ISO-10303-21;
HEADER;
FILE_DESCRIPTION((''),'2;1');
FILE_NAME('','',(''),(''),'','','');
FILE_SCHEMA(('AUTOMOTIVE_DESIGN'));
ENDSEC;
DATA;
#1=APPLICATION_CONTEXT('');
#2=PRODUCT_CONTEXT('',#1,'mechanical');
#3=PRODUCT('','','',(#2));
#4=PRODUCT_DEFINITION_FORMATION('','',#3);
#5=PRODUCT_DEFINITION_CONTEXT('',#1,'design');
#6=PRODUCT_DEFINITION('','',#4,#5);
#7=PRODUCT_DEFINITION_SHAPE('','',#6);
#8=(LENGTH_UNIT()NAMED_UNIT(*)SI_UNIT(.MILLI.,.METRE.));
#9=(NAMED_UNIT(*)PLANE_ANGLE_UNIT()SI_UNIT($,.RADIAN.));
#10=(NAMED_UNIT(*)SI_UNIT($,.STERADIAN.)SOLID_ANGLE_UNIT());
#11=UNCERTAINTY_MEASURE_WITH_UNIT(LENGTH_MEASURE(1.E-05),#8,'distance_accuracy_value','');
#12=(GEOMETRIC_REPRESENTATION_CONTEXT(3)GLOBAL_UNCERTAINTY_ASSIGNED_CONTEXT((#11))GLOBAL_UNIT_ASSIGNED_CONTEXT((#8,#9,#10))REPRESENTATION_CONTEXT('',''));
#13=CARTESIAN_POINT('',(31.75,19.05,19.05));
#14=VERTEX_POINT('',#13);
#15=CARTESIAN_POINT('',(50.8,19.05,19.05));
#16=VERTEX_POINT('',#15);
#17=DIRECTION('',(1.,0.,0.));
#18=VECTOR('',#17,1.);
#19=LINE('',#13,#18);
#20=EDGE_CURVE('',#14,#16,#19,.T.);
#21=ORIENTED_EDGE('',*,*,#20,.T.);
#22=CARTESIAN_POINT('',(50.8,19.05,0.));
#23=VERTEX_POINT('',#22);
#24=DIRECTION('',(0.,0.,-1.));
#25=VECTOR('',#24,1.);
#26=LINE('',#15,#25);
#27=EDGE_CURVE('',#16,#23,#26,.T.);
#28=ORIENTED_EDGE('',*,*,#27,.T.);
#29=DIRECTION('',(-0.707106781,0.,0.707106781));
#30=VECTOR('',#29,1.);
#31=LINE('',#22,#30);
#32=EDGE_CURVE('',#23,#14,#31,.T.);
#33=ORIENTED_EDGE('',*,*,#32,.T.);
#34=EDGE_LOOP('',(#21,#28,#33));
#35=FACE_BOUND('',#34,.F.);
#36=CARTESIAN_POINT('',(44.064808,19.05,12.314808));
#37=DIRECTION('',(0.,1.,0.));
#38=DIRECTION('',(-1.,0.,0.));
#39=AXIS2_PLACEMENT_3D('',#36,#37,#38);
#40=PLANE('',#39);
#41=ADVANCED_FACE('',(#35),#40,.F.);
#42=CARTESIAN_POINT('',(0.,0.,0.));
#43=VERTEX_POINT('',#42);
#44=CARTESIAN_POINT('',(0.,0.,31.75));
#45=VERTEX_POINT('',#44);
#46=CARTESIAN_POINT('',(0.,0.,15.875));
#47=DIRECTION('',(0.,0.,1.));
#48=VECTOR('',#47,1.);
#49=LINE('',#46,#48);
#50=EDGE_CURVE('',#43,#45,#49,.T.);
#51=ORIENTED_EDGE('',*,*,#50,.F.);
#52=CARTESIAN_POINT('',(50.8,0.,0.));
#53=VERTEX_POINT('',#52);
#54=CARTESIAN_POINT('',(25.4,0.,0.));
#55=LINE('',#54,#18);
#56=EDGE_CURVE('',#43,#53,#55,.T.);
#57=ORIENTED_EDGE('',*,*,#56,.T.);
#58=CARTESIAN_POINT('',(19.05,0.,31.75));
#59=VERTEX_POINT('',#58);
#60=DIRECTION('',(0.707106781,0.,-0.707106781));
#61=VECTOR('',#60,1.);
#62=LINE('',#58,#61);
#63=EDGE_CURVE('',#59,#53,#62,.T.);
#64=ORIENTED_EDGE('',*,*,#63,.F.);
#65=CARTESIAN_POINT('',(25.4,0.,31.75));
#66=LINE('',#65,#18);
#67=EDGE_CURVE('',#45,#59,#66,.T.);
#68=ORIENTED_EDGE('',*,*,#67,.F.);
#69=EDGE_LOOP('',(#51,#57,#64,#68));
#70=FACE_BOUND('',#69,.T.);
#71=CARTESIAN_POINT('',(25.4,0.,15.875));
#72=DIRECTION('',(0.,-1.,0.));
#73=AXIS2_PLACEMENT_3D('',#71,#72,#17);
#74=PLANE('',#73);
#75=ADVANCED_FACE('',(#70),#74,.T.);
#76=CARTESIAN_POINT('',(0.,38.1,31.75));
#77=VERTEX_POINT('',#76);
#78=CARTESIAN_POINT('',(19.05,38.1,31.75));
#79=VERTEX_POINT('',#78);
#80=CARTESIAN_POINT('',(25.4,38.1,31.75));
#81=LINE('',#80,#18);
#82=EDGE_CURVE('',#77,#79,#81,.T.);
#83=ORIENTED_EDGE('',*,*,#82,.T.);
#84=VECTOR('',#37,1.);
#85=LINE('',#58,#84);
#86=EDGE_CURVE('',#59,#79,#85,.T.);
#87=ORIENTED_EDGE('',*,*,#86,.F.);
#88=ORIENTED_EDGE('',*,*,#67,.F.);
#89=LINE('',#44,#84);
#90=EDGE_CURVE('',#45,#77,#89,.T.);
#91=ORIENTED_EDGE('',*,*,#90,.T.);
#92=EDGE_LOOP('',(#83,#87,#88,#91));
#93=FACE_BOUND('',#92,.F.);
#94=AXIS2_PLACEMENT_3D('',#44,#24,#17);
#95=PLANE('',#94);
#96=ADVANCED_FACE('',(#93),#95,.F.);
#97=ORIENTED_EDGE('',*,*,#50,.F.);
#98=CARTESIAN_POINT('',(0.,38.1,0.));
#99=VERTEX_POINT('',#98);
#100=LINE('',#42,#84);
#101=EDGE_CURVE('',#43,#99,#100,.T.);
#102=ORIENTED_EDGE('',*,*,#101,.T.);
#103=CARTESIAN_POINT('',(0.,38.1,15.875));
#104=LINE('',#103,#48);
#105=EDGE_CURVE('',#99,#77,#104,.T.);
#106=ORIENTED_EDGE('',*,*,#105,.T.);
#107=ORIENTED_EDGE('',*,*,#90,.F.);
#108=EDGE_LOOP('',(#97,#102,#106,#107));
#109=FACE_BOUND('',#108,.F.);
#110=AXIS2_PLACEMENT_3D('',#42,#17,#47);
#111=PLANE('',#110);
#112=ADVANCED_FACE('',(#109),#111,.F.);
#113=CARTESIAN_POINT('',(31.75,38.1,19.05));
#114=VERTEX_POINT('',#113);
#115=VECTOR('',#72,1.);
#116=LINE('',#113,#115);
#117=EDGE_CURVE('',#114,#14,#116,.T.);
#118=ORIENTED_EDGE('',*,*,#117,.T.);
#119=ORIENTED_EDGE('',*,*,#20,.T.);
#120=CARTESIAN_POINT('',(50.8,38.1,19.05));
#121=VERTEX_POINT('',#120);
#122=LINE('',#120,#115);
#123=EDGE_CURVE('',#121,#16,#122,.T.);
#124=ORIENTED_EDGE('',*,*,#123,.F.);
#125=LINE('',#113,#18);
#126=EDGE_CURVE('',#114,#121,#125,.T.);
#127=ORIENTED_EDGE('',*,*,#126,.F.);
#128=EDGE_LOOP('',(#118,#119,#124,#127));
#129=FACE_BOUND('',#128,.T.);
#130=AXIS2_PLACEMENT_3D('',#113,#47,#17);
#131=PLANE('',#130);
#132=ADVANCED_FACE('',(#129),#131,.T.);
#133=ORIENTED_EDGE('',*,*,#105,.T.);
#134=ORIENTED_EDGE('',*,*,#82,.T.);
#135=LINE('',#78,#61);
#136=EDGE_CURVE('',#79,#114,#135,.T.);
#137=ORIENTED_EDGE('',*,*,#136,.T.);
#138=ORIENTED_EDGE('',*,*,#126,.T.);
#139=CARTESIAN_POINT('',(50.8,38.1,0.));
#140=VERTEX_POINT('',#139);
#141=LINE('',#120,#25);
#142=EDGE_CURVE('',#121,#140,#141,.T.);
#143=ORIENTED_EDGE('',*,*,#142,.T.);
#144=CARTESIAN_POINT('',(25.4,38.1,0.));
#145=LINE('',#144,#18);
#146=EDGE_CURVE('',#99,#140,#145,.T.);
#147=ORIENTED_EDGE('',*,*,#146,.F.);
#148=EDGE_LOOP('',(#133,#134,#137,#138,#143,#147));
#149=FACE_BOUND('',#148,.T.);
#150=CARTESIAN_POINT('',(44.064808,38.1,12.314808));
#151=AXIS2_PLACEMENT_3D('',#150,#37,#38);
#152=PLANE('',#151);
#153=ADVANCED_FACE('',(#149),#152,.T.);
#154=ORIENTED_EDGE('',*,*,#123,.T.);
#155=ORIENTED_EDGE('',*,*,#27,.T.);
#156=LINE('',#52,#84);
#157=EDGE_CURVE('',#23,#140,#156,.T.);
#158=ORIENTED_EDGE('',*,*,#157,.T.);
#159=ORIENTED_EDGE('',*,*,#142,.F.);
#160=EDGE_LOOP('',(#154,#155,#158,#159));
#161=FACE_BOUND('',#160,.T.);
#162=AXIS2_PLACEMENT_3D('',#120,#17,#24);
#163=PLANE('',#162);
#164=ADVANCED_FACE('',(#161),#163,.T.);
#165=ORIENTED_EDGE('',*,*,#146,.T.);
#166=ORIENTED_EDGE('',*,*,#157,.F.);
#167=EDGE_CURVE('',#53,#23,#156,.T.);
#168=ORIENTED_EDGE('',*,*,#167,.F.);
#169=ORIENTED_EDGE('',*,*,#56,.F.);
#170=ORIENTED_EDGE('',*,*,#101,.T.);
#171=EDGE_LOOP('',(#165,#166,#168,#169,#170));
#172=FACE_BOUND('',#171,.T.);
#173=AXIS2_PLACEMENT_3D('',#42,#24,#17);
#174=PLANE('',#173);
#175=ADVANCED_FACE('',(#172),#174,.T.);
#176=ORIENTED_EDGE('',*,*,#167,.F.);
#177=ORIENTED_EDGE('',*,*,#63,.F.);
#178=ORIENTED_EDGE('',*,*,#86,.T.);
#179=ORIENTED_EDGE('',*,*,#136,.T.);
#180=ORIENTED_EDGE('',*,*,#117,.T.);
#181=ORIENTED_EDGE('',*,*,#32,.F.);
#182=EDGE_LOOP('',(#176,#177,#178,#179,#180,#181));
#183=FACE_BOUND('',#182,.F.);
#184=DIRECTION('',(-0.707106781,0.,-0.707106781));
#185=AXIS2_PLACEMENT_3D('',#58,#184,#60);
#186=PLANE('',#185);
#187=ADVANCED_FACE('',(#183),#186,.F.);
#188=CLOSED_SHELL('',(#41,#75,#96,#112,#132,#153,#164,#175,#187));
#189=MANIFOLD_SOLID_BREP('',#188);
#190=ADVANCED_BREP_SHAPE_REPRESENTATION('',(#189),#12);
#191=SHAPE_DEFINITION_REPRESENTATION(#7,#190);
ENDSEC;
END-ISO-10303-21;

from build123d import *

# Parameters (mm, degrees)
F0_W     = 50.8
F0_H     = 31.75
F1_DEPTH = 38.1
F3_DEPTH = 38.1
F5_DEPTH = 19.05


with BuildPart() as f1:
    # F0 (on Front) → F1 (new body)
    with BuildSketch(Plane.XZ):
        with Locations((25.4, 15.875)):
            Rectangle(F0_W, F0_H)
    extrude(amount=-F1_DEPTH)

    # F2 (on face) → F3 (cut)
    with BuildSketch(Plane.XZ):
        Polygon((19.05, 31.75), (50.8, 0), (50.8, 31.75), align=None)
    extrude(amount=-F3_DEPTH, mode=Mode.SUBTRACT)

    # F4 (on face) → F5 (join)
    with BuildSketch(Plane(origin=(0, 38.1, 0), x_dir=(-1, 0, 0), z_dir=(0, 1, 0))):
        Polygon((-50.8, 19.05), (-50.8, 0), (-31.75, 19.05), align=None)
    extrude(amount=-F5_DEPTH)


solid = f1.part
